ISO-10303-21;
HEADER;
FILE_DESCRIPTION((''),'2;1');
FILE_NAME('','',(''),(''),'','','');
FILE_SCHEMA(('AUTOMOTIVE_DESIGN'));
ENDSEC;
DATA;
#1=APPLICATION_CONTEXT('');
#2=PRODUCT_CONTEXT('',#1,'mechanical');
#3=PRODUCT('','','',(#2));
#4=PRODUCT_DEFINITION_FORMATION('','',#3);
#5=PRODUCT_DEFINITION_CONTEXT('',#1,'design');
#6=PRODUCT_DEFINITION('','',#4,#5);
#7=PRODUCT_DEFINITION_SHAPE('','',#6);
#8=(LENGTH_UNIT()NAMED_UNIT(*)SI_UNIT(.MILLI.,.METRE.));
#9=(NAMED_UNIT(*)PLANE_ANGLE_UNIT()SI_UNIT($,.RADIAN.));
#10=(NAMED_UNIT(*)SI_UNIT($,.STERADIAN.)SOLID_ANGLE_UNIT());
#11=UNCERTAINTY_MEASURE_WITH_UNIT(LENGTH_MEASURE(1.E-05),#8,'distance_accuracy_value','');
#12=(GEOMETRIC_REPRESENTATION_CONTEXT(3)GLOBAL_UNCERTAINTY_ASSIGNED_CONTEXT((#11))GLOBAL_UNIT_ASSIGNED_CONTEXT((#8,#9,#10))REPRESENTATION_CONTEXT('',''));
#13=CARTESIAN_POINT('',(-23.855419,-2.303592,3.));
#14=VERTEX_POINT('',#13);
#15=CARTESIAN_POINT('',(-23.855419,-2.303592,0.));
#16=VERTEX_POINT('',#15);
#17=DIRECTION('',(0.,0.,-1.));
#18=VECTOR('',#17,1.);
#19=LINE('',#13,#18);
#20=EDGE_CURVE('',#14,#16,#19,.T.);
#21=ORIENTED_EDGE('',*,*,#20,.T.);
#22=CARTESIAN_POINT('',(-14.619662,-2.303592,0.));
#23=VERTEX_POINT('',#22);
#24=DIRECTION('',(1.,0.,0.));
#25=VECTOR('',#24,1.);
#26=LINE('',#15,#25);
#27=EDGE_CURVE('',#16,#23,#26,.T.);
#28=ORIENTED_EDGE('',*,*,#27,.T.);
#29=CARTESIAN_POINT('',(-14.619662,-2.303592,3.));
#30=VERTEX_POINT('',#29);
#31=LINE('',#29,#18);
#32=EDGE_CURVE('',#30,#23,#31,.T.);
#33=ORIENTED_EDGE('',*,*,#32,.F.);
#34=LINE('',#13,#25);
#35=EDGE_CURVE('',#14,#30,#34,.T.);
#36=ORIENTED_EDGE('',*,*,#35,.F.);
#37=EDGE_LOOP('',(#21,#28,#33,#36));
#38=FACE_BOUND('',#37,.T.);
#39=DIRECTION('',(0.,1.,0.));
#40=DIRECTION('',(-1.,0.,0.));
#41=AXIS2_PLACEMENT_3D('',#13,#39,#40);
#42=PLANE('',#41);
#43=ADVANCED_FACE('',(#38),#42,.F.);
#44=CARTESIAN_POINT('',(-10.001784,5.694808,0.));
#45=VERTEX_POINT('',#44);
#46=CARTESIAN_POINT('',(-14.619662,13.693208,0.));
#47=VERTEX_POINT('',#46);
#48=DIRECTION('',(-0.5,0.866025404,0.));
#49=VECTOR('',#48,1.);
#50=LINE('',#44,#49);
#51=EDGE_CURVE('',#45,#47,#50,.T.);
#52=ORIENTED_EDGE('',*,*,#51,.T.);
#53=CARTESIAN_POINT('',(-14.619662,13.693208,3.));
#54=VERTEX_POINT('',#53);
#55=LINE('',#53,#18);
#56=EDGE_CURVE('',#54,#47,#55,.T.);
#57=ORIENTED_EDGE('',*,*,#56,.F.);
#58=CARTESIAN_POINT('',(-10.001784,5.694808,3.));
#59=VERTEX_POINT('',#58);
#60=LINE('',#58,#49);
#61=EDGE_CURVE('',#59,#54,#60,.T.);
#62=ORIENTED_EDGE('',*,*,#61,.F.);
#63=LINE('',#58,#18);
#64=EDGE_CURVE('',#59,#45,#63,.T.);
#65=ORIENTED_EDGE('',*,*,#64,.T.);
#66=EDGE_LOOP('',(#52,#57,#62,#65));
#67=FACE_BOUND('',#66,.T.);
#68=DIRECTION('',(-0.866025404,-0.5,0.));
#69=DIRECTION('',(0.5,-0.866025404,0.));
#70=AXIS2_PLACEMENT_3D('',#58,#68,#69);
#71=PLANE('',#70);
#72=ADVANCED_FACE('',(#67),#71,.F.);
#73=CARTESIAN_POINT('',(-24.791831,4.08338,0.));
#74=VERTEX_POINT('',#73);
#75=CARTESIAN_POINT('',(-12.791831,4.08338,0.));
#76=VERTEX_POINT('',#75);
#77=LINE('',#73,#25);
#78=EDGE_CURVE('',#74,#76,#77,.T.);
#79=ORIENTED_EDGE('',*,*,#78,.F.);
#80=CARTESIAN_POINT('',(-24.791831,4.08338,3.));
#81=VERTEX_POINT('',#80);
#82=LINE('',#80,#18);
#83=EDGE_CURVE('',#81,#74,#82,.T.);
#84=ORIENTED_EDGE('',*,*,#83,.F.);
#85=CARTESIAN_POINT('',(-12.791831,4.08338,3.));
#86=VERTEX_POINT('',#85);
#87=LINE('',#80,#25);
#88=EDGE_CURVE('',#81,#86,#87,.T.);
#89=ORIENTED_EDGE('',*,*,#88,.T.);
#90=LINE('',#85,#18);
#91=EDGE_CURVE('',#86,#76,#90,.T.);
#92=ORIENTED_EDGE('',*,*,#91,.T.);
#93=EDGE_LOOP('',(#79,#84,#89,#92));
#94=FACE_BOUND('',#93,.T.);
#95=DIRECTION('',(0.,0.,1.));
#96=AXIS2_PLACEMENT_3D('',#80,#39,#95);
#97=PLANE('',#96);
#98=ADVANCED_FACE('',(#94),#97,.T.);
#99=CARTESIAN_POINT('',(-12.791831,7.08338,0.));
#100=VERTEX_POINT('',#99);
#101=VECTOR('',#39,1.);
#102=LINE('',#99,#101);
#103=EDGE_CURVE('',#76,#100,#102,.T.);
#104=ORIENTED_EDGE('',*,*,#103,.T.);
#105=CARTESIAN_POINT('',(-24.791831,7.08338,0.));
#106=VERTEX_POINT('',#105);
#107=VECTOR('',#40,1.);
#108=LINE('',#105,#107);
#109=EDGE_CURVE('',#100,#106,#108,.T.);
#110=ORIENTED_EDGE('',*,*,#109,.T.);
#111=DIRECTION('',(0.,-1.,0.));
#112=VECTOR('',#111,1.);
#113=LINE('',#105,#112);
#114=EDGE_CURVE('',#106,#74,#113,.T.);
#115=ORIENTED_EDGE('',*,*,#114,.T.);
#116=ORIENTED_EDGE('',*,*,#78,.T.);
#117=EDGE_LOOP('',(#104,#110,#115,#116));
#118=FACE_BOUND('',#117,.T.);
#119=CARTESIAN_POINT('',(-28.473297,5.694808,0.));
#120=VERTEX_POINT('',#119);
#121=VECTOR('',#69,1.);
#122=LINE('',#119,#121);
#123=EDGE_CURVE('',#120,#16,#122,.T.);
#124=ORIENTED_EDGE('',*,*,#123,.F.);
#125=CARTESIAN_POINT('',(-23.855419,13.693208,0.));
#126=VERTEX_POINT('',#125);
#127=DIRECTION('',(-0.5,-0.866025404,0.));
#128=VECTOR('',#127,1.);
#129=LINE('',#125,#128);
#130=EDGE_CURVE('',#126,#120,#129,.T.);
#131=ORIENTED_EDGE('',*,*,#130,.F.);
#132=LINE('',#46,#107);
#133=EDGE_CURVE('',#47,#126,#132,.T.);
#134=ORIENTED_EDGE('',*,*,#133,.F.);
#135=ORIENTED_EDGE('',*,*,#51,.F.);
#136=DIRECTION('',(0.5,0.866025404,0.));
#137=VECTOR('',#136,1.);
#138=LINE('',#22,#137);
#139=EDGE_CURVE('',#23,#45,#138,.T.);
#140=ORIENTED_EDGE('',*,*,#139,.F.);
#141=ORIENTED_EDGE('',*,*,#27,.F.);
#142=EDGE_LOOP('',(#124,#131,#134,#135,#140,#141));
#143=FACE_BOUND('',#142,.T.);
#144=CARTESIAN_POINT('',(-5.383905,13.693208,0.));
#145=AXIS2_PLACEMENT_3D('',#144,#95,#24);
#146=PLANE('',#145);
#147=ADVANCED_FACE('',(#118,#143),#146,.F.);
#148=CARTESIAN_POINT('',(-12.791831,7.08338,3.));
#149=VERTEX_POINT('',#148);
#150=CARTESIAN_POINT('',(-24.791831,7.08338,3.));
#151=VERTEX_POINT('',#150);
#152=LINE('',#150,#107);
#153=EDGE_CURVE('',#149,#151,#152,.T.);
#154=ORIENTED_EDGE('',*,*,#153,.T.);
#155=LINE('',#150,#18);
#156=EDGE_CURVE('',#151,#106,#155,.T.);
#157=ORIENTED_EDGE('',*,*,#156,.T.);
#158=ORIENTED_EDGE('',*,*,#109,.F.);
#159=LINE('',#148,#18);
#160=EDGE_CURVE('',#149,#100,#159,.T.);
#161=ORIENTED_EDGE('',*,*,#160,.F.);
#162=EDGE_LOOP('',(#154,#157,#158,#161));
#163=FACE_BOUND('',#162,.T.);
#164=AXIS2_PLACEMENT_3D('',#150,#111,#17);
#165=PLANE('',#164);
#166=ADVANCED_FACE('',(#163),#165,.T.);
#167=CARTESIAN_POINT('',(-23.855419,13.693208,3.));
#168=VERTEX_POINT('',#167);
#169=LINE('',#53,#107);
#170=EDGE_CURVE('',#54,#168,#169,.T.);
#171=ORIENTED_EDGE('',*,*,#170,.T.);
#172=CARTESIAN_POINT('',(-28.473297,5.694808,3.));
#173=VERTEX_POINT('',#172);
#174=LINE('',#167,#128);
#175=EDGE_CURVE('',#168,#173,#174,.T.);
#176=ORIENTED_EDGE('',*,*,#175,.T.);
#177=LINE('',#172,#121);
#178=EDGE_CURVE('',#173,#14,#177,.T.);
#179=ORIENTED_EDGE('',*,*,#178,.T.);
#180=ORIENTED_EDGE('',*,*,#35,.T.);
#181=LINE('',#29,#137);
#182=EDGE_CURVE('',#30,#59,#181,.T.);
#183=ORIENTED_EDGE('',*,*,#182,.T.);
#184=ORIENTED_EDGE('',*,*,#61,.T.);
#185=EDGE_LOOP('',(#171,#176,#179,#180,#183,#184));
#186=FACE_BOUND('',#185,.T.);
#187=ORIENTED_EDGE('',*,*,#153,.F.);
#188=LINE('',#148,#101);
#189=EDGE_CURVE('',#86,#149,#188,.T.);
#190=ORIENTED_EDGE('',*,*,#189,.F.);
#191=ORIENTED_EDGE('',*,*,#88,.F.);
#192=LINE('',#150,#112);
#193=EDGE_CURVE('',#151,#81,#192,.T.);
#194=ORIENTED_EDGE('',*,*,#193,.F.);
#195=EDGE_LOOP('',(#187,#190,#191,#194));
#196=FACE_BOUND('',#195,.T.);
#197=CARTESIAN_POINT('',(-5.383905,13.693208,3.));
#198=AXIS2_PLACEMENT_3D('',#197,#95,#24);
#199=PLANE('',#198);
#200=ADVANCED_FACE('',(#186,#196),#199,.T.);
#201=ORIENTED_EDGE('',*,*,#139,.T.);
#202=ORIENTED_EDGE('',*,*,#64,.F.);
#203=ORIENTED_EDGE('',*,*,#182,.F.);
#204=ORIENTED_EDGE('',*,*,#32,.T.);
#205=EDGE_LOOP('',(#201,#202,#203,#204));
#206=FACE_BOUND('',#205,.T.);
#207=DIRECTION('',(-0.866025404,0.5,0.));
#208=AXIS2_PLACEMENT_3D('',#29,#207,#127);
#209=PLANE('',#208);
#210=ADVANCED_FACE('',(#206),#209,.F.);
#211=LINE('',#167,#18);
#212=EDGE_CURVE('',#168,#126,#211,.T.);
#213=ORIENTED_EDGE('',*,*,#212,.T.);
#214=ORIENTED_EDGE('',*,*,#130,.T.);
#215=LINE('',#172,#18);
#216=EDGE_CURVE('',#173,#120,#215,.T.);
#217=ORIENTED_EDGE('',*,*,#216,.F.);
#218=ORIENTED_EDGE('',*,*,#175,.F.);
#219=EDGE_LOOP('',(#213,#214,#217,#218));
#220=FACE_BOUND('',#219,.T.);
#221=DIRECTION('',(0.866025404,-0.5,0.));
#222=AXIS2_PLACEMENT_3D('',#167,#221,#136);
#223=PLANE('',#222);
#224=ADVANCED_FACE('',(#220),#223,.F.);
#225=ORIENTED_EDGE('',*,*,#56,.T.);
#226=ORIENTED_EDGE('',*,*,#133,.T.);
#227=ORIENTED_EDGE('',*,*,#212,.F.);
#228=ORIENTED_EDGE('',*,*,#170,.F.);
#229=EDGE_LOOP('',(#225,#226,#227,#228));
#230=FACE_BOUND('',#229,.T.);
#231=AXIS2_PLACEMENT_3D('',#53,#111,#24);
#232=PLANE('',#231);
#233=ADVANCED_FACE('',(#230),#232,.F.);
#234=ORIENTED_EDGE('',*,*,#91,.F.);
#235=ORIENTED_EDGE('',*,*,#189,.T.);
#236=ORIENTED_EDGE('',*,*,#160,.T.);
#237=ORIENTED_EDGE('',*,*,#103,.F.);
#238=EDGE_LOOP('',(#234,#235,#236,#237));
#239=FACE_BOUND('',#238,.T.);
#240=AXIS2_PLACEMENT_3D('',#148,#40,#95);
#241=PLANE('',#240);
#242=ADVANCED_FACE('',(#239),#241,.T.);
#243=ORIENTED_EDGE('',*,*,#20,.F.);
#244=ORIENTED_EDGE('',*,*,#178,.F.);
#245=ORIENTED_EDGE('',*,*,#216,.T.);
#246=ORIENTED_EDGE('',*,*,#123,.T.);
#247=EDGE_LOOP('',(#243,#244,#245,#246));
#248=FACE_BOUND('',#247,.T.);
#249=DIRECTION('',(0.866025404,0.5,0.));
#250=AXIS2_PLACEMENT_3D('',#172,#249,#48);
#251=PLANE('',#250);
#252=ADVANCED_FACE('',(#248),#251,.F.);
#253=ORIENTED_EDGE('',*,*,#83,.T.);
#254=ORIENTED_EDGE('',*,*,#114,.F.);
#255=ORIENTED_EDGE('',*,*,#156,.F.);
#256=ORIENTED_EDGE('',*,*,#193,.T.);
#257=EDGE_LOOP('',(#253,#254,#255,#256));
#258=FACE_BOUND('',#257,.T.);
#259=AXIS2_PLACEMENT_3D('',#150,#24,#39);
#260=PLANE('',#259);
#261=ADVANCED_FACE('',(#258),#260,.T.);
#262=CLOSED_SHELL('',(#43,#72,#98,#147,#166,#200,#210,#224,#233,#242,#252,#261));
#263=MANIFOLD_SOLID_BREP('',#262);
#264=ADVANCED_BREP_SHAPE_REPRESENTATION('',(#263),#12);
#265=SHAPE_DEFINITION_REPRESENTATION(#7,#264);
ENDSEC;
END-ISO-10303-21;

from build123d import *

# Parameters (mm, degrees)
SKETCH1_W          = 12
SKETCH1_H          = 3
BASE_EXTRUDE_DEPTH = 3


with BuildPart() as part:
    # Sketch1 → Base-Extrude (new body)
    with BuildSketch(Plane.XY):
        Polygon((-10.001783731, 5.694807634), (-14.619662064, 13.693207531), (-23.85541873, 13.693207531), (-28.473297063, 5.694807634), (-23.85541873, -2.303592262), (-14.619662064, -2.303592262), align=None)
        with Locations((-18.791830986, 5.583380282)):
            Rectangle(SKETCH1_W, SKETCH1_H, mode=Mode.SUBTRACT)
    extrude(amount=BASE_EXTRUDE_DEPTH)


solid = part.part
